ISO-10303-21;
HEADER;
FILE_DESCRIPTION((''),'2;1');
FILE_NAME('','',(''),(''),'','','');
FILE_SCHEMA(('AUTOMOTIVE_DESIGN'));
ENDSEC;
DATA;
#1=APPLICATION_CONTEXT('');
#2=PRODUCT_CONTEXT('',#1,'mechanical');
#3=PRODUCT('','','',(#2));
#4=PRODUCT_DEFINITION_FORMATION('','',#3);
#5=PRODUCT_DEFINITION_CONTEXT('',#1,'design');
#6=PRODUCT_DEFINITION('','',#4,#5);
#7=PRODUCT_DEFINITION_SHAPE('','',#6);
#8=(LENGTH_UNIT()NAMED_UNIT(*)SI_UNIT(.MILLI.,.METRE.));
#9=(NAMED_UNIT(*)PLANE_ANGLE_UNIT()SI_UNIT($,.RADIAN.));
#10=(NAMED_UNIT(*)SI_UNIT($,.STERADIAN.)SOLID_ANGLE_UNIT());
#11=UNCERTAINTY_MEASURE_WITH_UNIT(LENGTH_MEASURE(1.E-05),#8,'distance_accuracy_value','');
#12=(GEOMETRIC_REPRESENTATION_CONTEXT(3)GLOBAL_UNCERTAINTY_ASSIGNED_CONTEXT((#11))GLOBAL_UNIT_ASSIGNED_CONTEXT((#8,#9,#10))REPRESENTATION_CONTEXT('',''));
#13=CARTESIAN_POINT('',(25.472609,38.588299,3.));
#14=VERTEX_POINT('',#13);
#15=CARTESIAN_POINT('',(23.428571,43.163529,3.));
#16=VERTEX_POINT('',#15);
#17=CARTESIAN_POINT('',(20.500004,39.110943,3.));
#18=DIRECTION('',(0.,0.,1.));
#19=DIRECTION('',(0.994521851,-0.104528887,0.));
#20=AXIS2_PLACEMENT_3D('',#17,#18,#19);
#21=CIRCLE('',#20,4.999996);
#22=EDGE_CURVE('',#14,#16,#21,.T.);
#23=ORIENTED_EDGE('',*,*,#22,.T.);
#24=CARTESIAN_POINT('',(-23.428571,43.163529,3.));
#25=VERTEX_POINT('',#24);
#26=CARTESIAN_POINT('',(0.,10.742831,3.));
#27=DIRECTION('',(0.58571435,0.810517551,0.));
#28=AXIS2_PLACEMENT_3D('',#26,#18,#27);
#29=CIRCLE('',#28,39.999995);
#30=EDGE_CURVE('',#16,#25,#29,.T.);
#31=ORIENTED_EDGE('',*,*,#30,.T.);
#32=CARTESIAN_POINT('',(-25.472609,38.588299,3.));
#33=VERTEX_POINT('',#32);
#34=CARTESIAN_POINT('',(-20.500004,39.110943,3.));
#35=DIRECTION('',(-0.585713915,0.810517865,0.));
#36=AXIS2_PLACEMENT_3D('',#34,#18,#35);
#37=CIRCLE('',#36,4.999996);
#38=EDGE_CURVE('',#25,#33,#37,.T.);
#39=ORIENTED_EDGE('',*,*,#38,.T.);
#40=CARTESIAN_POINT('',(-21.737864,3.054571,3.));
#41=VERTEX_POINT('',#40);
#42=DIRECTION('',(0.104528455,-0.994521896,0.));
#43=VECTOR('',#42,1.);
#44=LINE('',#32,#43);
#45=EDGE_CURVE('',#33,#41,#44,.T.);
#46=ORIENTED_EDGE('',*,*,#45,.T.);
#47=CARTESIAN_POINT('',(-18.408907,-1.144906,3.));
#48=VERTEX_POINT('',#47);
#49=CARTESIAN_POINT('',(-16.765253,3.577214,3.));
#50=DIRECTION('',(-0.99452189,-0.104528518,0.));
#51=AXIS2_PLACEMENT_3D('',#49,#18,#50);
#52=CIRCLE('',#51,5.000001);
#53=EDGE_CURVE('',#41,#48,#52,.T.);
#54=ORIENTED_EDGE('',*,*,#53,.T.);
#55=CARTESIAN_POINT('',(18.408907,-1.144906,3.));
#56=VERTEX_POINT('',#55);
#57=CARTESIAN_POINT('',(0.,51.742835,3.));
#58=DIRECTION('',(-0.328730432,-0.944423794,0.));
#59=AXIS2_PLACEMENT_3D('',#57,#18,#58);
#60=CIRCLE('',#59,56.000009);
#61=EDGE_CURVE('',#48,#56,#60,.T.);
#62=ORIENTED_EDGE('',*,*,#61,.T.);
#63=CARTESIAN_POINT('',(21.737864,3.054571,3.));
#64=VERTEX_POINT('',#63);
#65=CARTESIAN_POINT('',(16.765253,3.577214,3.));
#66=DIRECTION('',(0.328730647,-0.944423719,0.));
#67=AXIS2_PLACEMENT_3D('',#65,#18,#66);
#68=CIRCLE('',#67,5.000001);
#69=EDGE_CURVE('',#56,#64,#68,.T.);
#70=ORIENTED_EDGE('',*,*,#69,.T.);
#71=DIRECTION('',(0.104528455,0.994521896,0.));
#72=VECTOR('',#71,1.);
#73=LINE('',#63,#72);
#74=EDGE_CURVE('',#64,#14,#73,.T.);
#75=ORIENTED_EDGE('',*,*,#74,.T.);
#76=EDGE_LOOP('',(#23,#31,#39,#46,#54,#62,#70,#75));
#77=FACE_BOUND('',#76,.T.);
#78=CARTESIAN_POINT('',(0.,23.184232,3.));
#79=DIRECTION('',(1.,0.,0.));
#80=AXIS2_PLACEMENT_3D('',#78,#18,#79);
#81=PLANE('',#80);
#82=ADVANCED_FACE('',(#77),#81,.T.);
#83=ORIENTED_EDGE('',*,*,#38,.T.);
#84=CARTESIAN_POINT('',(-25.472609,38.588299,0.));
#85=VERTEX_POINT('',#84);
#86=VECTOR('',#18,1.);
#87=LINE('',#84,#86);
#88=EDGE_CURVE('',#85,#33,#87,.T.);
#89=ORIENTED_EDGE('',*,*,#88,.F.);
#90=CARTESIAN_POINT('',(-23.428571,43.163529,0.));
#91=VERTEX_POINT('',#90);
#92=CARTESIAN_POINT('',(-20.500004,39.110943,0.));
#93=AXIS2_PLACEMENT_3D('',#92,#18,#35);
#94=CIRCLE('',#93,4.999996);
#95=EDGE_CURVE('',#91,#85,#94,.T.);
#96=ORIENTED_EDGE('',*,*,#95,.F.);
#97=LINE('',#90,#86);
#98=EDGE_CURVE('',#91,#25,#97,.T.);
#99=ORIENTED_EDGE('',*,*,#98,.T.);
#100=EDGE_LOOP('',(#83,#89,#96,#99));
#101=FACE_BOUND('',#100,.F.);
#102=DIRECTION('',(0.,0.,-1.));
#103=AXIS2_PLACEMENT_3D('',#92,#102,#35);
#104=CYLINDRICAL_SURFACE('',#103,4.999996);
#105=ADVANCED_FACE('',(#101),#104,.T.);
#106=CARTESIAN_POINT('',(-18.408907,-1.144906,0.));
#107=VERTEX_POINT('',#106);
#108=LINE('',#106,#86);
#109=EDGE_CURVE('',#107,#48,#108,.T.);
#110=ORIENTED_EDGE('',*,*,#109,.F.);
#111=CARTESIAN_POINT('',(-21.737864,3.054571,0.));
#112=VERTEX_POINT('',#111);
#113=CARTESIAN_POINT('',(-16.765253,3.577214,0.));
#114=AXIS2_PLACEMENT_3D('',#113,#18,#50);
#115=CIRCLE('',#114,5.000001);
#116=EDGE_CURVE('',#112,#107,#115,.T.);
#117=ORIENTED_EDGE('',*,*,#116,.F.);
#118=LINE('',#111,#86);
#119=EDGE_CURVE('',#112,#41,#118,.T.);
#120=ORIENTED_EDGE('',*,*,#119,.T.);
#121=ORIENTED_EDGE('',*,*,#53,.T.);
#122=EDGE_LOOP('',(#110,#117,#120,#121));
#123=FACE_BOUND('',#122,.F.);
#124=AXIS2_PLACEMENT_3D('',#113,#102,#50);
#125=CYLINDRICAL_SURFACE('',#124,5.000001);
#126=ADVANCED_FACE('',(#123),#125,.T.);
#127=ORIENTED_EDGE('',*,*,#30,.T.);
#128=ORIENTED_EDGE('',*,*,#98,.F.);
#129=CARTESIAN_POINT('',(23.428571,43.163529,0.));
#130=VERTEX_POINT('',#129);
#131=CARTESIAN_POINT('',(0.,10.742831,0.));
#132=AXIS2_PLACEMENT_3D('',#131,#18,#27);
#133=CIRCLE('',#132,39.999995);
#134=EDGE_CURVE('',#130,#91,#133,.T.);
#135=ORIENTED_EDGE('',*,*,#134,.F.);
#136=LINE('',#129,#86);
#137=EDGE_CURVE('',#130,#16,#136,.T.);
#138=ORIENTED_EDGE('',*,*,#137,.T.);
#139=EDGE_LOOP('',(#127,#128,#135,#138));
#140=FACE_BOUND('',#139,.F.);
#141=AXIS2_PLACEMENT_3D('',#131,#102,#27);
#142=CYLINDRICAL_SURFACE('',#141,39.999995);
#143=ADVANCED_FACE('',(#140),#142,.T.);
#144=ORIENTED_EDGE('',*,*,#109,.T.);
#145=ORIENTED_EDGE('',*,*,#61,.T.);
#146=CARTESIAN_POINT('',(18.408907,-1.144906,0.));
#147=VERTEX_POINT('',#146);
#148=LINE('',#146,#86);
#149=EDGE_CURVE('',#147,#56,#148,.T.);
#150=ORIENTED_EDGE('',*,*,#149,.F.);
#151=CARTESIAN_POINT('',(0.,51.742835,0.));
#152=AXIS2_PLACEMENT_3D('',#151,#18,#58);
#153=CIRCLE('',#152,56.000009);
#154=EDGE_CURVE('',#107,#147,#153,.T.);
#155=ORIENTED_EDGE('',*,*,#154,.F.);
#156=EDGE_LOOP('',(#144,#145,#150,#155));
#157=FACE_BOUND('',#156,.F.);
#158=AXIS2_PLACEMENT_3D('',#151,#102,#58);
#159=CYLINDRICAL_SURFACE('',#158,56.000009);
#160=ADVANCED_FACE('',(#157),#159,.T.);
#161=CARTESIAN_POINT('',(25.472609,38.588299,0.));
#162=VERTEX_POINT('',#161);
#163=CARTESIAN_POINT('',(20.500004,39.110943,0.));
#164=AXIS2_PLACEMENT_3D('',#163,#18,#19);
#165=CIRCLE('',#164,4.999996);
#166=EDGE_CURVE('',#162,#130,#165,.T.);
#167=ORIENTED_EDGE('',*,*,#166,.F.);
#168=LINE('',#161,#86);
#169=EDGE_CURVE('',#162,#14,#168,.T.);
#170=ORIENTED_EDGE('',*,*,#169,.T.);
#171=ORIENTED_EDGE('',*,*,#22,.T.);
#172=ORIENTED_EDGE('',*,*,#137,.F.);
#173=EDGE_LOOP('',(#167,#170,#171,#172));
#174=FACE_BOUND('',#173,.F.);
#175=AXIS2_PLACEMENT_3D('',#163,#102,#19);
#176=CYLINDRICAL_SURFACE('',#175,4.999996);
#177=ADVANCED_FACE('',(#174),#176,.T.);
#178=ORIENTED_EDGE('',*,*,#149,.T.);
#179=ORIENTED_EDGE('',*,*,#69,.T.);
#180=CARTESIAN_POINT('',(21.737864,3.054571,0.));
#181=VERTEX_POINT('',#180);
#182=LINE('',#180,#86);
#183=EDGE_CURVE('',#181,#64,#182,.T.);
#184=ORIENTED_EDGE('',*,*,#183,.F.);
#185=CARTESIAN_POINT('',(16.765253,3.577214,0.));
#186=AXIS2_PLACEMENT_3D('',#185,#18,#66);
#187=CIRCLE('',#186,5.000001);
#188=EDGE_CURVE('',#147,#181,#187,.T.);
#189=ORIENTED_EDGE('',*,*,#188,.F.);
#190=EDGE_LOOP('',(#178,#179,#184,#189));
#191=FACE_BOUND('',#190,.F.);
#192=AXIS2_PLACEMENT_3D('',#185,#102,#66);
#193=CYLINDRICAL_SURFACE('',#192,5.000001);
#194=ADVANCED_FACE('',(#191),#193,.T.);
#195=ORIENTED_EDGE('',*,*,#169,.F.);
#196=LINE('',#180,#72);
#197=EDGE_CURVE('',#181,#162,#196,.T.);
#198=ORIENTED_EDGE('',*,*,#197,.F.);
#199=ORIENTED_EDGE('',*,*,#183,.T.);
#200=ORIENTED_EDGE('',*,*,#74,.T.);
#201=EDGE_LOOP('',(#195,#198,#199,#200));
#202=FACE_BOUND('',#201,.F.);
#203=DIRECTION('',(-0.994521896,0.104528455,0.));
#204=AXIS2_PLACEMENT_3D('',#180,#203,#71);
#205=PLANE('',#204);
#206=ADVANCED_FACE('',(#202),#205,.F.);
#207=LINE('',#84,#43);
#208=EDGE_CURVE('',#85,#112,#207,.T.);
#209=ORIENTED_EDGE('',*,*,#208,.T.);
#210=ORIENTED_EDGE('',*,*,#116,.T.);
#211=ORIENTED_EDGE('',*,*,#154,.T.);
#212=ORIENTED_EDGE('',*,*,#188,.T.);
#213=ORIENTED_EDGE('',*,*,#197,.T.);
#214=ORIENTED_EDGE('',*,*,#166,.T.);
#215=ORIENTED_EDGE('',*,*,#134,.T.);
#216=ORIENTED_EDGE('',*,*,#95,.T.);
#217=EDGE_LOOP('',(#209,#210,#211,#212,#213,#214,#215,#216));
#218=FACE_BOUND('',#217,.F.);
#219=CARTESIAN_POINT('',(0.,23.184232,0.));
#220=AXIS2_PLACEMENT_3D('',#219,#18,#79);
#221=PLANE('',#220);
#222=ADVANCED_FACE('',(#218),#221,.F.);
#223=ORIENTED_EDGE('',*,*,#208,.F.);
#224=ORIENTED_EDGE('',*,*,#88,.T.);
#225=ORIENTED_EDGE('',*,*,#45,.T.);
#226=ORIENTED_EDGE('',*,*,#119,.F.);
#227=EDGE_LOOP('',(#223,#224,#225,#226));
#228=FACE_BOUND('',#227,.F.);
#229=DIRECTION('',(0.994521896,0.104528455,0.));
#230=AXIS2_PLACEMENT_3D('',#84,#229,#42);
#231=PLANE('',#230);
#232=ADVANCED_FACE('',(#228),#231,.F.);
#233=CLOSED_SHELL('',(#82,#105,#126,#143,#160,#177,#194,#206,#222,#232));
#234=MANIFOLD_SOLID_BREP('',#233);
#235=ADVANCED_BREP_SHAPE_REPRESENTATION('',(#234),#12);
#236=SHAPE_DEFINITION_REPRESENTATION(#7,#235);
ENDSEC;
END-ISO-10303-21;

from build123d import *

# Parameters (mm, degrees)
F1_DEPTH = 3


with BuildPart() as f1:
    # F0 (on Top) → F1 (new body)
    with BuildSketch(Plane.XY):
        with BuildLine():
            Line((-25.472609, 38.588299), (-21.737864, 3.054571))
            ThreePointArc((-21.737864, 3.054571), (-20.683498, 0.471192), (-18.408907, -1.144906))
            ThreePointArc((-18.408907, -1.144906), (0, -4.257174), (18.408907, -1.144906))
            ThreePointArc((18.408907, -1.144906), (20.683498, 0.471192), (21.737864, 3.054571))
            Line((21.737864, 3.054571), (25.472609, 38.588299))
            ThreePointArc((25.472609, 38.588299), (25.065123, 41.150464), (23.428571, 43.163529))
            ThreePointArc((23.428571, 43.163529), (0, 50.742826), (-23.428571, 43.163529))
            ThreePointArc((-23.428571, 43.163529), (-25.065123, 41.150464), (-25.472609, 38.588299))
        make_face()
    extrude(amount=F1_DEPTH)


solid = f1.part
